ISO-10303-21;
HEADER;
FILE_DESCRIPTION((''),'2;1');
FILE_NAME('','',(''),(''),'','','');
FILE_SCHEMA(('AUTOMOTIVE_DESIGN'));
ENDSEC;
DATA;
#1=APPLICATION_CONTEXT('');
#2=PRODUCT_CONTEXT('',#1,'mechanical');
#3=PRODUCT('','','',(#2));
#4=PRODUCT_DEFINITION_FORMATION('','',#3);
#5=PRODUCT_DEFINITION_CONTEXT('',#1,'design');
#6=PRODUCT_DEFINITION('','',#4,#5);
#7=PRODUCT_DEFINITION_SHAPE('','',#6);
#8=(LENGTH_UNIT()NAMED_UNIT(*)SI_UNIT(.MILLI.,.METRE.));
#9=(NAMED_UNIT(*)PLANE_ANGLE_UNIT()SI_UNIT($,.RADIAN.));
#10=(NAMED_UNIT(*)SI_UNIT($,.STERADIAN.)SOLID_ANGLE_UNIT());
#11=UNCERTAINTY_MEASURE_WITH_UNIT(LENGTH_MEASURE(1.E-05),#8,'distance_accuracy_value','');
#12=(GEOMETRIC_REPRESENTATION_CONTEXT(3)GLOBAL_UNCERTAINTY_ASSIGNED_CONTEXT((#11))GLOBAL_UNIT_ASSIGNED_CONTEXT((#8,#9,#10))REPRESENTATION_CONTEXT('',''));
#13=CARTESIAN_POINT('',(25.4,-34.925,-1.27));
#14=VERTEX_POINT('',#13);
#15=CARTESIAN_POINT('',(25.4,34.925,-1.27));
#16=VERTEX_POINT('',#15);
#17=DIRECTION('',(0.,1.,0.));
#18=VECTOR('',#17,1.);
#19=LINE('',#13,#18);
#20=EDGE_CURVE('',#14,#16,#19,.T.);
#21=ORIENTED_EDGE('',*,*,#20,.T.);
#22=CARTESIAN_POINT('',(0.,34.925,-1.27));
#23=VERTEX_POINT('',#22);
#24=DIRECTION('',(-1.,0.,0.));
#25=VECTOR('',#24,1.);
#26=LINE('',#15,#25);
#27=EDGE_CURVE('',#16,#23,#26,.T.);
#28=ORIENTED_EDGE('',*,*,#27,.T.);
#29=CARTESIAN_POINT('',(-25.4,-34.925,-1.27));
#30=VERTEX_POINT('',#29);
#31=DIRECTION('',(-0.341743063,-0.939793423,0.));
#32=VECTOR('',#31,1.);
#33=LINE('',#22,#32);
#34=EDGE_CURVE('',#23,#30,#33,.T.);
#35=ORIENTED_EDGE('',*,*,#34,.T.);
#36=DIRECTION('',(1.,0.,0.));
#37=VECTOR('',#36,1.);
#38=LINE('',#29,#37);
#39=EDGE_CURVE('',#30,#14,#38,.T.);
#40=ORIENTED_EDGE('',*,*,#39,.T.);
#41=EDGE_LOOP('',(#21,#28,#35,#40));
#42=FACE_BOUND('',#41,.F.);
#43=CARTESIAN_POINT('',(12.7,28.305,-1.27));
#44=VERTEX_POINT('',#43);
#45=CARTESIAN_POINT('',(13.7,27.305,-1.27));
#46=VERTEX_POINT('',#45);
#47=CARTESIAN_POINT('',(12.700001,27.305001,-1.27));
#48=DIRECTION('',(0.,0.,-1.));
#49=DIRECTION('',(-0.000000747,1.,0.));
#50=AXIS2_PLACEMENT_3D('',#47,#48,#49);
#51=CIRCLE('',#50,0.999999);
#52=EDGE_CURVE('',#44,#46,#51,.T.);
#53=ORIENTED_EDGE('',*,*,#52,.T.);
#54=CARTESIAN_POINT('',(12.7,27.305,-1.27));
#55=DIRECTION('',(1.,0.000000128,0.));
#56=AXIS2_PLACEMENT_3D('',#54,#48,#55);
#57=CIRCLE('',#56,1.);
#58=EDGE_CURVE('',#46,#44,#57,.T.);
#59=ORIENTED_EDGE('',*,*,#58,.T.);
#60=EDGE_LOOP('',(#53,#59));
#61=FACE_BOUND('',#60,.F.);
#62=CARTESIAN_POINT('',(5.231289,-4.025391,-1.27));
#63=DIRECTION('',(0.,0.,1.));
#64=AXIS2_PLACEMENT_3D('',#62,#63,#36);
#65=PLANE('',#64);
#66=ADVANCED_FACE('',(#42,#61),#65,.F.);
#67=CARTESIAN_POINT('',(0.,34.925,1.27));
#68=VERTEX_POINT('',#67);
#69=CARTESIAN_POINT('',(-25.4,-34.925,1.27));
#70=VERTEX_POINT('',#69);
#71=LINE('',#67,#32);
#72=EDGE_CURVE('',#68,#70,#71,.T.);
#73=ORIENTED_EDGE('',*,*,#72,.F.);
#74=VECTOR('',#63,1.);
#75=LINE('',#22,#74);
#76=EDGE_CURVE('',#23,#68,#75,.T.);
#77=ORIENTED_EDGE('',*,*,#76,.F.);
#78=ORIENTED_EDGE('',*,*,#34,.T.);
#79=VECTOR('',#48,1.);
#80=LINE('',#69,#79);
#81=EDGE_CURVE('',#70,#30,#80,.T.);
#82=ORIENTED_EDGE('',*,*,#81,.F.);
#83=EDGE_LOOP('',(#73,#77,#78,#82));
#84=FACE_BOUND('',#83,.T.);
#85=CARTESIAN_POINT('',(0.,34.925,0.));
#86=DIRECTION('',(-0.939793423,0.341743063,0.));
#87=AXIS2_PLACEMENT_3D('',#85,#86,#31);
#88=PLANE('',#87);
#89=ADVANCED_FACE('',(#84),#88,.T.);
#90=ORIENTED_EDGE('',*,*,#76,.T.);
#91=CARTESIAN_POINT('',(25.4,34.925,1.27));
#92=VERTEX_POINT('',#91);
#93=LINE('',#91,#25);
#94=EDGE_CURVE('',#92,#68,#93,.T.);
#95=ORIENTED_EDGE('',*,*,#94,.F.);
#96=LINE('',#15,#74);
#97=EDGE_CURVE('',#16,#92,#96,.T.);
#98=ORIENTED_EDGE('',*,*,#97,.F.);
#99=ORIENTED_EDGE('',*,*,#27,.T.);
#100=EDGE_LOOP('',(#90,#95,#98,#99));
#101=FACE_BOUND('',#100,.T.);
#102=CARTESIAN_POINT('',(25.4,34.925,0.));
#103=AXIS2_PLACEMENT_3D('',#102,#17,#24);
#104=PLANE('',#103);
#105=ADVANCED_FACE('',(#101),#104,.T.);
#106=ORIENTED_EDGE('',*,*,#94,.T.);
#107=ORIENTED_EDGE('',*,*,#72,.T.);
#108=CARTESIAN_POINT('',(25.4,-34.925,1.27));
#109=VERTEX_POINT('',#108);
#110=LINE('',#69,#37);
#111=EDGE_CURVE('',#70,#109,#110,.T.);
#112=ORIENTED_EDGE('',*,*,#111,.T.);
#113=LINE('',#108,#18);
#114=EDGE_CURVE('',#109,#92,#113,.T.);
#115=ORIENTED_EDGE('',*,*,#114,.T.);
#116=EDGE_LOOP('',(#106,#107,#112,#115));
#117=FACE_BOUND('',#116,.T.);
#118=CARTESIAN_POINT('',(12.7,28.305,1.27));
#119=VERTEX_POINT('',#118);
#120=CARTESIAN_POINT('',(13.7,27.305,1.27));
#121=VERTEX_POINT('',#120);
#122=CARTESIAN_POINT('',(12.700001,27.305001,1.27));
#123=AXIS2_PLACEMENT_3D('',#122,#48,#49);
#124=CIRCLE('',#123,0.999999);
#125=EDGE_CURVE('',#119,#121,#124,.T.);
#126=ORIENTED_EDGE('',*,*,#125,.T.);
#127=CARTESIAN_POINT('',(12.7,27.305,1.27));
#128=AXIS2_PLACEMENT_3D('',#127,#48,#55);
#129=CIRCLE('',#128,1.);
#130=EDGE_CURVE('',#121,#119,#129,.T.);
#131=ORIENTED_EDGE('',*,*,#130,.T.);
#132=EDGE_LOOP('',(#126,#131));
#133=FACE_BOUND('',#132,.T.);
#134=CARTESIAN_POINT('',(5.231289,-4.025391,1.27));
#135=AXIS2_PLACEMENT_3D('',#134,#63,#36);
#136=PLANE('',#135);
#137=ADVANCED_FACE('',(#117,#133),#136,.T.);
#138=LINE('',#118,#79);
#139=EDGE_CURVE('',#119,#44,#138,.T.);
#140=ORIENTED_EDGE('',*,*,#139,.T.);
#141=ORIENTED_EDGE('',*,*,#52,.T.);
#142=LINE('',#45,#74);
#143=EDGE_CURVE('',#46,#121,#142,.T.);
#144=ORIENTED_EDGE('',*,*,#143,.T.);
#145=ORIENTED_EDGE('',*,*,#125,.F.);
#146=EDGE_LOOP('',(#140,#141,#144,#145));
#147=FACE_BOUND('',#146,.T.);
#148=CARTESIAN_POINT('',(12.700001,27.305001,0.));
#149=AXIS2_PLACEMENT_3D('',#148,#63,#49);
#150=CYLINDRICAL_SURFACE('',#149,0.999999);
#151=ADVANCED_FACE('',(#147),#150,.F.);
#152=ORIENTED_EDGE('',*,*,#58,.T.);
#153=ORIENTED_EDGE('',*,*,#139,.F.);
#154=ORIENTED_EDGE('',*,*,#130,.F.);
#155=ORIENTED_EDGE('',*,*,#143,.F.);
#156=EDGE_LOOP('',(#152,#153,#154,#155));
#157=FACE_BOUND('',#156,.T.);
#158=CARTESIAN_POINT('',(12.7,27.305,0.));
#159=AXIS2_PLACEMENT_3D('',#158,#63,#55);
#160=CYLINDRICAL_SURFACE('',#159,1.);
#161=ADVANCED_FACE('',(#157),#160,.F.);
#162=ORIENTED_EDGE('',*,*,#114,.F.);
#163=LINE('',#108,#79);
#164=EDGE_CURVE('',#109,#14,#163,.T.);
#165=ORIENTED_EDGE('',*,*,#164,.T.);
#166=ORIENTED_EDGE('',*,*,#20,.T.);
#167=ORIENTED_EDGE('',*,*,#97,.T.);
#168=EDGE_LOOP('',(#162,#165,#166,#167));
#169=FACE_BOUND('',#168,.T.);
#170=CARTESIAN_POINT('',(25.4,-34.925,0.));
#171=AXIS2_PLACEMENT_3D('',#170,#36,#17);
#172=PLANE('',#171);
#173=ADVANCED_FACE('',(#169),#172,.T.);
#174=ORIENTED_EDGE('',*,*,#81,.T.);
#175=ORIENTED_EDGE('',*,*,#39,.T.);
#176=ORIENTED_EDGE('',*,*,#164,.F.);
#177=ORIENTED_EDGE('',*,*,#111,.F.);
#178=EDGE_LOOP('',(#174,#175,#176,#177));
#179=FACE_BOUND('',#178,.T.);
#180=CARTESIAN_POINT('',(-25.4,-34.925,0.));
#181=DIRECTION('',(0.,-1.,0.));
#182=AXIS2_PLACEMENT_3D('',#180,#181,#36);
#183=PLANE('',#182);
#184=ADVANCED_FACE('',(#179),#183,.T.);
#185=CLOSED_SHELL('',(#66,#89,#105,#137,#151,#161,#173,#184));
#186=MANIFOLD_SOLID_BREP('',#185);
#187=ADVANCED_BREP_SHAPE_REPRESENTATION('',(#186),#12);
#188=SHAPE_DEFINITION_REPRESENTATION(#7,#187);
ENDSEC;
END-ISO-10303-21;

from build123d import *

# Parameters (mm, degrees)
F1_DEPTH = 1.27


with BuildPart() as f1:
    # F0 (on Top) → F1 (new body, symmetric)
    with BuildSketch(Plane.XY):
        Polygon((25.4, -34.925), (25.4, 34.925), (12.7, 34.925), (0, 34.925), (-25.4, -34.925), align=None)
        with BuildLine():
            ThreePointArc((13.7, 27.305), (11.992893, 26.597893), (12.7, 28.305))
            ThreePointArc((12.7, 28.305), (13.407107, 28.012107), (13.7, 27.305))
        make_face(mode=Mode.SUBTRACT)
    extrude(amount=F1_DEPTH, both=True)


solid = f1.part
